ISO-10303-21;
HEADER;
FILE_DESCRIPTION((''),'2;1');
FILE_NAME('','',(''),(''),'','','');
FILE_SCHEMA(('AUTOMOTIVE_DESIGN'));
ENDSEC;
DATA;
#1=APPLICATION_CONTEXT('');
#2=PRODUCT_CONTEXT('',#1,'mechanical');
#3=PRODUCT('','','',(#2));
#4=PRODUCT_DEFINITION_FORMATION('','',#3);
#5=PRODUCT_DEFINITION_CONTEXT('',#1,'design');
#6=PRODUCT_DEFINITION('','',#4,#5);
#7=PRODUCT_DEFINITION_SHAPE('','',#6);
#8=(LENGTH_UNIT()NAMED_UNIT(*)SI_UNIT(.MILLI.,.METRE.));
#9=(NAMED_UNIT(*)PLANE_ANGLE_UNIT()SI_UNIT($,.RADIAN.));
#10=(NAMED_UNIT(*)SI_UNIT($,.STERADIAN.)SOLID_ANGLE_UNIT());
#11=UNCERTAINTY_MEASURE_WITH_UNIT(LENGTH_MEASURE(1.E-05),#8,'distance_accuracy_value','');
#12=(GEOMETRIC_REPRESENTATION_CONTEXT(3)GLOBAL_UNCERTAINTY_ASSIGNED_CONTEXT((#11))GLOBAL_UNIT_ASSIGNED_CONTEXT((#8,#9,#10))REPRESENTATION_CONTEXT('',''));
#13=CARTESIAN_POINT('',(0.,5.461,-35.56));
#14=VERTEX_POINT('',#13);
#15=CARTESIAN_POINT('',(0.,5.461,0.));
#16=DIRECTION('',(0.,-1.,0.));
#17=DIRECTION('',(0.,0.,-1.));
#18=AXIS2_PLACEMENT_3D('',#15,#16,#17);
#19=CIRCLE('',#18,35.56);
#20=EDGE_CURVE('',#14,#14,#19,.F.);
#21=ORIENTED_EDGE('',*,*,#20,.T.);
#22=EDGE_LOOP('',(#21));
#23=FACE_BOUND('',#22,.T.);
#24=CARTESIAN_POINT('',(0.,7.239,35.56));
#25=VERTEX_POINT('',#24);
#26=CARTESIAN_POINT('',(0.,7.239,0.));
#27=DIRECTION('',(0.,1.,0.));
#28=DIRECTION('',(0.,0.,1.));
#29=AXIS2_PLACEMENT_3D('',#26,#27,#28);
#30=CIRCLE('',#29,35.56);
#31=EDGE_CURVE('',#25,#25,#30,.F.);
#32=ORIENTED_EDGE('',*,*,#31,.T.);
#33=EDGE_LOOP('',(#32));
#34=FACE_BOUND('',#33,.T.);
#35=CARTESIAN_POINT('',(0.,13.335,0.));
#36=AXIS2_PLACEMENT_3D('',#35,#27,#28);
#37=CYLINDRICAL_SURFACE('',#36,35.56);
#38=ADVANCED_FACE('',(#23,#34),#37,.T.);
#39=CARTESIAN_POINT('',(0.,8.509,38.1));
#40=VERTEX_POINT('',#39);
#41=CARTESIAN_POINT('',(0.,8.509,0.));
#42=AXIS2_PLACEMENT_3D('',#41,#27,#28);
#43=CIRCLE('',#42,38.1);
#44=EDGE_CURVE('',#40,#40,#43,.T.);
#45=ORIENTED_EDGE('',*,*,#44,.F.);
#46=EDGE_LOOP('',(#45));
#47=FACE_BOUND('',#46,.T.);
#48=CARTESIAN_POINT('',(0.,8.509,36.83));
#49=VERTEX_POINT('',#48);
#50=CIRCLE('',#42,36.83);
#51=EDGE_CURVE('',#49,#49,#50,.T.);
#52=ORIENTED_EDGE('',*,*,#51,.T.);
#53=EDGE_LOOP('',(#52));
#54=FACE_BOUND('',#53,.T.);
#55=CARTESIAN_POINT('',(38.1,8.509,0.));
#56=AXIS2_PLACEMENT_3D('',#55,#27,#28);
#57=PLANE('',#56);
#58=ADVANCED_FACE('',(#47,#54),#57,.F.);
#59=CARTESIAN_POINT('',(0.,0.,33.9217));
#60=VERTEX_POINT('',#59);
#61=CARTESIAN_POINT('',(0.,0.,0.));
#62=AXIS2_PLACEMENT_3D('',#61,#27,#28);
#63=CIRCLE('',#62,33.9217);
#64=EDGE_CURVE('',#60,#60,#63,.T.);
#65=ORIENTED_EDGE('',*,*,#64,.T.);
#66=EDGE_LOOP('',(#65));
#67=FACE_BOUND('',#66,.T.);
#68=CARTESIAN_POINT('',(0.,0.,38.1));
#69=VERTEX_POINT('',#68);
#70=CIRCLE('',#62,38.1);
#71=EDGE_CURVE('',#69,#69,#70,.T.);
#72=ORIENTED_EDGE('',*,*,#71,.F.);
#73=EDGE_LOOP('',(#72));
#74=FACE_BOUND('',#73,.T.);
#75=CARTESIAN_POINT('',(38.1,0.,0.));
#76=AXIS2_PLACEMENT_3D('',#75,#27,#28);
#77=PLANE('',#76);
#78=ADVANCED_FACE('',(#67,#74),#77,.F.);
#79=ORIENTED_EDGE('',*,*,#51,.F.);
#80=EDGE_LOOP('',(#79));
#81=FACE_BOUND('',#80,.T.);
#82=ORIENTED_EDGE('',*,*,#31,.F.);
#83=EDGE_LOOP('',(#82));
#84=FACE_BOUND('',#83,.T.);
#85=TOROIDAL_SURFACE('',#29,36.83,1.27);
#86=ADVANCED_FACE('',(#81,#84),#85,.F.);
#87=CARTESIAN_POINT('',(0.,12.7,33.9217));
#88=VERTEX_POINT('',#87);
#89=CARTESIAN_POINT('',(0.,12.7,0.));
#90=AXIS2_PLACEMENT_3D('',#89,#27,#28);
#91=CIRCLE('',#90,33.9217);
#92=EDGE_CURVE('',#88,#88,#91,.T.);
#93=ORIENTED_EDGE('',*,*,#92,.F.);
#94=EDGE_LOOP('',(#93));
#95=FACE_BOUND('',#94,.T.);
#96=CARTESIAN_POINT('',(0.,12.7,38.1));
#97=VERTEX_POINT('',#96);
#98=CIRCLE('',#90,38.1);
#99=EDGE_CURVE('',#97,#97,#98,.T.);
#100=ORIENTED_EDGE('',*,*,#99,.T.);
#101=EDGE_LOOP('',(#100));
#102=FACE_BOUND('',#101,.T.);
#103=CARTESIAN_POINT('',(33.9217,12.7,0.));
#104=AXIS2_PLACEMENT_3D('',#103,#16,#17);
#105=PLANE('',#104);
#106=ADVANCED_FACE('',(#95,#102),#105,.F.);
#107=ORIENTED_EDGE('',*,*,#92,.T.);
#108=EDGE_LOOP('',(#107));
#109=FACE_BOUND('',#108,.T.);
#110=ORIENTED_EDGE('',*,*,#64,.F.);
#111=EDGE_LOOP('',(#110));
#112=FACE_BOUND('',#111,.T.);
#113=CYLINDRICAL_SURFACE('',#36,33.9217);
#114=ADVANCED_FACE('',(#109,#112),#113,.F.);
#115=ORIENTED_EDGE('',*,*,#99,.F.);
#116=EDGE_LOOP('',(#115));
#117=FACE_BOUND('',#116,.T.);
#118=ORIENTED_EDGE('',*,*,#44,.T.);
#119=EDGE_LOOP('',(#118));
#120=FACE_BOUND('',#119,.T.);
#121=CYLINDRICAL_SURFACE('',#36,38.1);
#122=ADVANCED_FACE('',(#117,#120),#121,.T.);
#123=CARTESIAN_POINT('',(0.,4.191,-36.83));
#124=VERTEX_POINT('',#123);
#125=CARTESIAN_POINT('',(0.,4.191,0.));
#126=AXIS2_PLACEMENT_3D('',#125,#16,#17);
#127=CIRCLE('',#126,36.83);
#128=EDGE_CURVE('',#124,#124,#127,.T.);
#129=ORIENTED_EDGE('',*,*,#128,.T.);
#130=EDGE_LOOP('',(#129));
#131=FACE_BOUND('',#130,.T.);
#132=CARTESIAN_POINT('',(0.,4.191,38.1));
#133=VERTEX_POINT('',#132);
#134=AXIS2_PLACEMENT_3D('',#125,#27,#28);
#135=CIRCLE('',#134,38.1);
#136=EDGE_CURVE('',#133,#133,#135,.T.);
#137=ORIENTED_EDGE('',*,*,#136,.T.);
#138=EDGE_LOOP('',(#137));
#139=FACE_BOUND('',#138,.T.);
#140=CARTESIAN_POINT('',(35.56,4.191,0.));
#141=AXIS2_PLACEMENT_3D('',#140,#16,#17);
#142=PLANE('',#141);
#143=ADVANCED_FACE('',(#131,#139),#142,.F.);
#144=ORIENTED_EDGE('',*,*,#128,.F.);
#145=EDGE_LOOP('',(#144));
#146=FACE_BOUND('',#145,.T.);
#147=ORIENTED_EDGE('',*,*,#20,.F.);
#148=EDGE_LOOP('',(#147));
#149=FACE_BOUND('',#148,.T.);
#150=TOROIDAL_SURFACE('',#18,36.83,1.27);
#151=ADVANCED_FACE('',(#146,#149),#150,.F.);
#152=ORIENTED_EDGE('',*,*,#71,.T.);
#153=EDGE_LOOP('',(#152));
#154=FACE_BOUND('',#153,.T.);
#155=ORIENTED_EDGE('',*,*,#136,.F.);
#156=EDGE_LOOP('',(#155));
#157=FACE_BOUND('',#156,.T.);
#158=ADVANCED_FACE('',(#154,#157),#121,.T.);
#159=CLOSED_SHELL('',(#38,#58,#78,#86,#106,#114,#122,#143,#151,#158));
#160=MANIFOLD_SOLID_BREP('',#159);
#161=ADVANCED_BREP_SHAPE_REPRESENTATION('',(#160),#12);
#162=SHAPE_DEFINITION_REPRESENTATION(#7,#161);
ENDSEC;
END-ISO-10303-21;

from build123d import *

# Parameters (mm, degrees)
FILLET1_R = 1.27


with BuildPart() as part:
    # Sketch1 → Revolve1 (revolve)
    with BuildSketch(Plane.XY):
        Polygon((33.9217, 0), (33.9217, 12.7), (38.1, 12.7), (38.1, 8.509), (35.56, 8.509), (35.56, 4.191), (38.1, 4.191), (38.1, 0), align=None)
    revolve(axis=Axis((0, 13.335, 0), (0, -1, 0)))

    # Fillet1
    fillet1_edges = [part.edges().sort_by_distance(p)[0] for p in [
        (-35.56, 4.191, 0),
        (-35.56, 8.509, 0),
    ]]
    fillet(fillet1_edges, radius=FILLET1_R)


solid = part.part
